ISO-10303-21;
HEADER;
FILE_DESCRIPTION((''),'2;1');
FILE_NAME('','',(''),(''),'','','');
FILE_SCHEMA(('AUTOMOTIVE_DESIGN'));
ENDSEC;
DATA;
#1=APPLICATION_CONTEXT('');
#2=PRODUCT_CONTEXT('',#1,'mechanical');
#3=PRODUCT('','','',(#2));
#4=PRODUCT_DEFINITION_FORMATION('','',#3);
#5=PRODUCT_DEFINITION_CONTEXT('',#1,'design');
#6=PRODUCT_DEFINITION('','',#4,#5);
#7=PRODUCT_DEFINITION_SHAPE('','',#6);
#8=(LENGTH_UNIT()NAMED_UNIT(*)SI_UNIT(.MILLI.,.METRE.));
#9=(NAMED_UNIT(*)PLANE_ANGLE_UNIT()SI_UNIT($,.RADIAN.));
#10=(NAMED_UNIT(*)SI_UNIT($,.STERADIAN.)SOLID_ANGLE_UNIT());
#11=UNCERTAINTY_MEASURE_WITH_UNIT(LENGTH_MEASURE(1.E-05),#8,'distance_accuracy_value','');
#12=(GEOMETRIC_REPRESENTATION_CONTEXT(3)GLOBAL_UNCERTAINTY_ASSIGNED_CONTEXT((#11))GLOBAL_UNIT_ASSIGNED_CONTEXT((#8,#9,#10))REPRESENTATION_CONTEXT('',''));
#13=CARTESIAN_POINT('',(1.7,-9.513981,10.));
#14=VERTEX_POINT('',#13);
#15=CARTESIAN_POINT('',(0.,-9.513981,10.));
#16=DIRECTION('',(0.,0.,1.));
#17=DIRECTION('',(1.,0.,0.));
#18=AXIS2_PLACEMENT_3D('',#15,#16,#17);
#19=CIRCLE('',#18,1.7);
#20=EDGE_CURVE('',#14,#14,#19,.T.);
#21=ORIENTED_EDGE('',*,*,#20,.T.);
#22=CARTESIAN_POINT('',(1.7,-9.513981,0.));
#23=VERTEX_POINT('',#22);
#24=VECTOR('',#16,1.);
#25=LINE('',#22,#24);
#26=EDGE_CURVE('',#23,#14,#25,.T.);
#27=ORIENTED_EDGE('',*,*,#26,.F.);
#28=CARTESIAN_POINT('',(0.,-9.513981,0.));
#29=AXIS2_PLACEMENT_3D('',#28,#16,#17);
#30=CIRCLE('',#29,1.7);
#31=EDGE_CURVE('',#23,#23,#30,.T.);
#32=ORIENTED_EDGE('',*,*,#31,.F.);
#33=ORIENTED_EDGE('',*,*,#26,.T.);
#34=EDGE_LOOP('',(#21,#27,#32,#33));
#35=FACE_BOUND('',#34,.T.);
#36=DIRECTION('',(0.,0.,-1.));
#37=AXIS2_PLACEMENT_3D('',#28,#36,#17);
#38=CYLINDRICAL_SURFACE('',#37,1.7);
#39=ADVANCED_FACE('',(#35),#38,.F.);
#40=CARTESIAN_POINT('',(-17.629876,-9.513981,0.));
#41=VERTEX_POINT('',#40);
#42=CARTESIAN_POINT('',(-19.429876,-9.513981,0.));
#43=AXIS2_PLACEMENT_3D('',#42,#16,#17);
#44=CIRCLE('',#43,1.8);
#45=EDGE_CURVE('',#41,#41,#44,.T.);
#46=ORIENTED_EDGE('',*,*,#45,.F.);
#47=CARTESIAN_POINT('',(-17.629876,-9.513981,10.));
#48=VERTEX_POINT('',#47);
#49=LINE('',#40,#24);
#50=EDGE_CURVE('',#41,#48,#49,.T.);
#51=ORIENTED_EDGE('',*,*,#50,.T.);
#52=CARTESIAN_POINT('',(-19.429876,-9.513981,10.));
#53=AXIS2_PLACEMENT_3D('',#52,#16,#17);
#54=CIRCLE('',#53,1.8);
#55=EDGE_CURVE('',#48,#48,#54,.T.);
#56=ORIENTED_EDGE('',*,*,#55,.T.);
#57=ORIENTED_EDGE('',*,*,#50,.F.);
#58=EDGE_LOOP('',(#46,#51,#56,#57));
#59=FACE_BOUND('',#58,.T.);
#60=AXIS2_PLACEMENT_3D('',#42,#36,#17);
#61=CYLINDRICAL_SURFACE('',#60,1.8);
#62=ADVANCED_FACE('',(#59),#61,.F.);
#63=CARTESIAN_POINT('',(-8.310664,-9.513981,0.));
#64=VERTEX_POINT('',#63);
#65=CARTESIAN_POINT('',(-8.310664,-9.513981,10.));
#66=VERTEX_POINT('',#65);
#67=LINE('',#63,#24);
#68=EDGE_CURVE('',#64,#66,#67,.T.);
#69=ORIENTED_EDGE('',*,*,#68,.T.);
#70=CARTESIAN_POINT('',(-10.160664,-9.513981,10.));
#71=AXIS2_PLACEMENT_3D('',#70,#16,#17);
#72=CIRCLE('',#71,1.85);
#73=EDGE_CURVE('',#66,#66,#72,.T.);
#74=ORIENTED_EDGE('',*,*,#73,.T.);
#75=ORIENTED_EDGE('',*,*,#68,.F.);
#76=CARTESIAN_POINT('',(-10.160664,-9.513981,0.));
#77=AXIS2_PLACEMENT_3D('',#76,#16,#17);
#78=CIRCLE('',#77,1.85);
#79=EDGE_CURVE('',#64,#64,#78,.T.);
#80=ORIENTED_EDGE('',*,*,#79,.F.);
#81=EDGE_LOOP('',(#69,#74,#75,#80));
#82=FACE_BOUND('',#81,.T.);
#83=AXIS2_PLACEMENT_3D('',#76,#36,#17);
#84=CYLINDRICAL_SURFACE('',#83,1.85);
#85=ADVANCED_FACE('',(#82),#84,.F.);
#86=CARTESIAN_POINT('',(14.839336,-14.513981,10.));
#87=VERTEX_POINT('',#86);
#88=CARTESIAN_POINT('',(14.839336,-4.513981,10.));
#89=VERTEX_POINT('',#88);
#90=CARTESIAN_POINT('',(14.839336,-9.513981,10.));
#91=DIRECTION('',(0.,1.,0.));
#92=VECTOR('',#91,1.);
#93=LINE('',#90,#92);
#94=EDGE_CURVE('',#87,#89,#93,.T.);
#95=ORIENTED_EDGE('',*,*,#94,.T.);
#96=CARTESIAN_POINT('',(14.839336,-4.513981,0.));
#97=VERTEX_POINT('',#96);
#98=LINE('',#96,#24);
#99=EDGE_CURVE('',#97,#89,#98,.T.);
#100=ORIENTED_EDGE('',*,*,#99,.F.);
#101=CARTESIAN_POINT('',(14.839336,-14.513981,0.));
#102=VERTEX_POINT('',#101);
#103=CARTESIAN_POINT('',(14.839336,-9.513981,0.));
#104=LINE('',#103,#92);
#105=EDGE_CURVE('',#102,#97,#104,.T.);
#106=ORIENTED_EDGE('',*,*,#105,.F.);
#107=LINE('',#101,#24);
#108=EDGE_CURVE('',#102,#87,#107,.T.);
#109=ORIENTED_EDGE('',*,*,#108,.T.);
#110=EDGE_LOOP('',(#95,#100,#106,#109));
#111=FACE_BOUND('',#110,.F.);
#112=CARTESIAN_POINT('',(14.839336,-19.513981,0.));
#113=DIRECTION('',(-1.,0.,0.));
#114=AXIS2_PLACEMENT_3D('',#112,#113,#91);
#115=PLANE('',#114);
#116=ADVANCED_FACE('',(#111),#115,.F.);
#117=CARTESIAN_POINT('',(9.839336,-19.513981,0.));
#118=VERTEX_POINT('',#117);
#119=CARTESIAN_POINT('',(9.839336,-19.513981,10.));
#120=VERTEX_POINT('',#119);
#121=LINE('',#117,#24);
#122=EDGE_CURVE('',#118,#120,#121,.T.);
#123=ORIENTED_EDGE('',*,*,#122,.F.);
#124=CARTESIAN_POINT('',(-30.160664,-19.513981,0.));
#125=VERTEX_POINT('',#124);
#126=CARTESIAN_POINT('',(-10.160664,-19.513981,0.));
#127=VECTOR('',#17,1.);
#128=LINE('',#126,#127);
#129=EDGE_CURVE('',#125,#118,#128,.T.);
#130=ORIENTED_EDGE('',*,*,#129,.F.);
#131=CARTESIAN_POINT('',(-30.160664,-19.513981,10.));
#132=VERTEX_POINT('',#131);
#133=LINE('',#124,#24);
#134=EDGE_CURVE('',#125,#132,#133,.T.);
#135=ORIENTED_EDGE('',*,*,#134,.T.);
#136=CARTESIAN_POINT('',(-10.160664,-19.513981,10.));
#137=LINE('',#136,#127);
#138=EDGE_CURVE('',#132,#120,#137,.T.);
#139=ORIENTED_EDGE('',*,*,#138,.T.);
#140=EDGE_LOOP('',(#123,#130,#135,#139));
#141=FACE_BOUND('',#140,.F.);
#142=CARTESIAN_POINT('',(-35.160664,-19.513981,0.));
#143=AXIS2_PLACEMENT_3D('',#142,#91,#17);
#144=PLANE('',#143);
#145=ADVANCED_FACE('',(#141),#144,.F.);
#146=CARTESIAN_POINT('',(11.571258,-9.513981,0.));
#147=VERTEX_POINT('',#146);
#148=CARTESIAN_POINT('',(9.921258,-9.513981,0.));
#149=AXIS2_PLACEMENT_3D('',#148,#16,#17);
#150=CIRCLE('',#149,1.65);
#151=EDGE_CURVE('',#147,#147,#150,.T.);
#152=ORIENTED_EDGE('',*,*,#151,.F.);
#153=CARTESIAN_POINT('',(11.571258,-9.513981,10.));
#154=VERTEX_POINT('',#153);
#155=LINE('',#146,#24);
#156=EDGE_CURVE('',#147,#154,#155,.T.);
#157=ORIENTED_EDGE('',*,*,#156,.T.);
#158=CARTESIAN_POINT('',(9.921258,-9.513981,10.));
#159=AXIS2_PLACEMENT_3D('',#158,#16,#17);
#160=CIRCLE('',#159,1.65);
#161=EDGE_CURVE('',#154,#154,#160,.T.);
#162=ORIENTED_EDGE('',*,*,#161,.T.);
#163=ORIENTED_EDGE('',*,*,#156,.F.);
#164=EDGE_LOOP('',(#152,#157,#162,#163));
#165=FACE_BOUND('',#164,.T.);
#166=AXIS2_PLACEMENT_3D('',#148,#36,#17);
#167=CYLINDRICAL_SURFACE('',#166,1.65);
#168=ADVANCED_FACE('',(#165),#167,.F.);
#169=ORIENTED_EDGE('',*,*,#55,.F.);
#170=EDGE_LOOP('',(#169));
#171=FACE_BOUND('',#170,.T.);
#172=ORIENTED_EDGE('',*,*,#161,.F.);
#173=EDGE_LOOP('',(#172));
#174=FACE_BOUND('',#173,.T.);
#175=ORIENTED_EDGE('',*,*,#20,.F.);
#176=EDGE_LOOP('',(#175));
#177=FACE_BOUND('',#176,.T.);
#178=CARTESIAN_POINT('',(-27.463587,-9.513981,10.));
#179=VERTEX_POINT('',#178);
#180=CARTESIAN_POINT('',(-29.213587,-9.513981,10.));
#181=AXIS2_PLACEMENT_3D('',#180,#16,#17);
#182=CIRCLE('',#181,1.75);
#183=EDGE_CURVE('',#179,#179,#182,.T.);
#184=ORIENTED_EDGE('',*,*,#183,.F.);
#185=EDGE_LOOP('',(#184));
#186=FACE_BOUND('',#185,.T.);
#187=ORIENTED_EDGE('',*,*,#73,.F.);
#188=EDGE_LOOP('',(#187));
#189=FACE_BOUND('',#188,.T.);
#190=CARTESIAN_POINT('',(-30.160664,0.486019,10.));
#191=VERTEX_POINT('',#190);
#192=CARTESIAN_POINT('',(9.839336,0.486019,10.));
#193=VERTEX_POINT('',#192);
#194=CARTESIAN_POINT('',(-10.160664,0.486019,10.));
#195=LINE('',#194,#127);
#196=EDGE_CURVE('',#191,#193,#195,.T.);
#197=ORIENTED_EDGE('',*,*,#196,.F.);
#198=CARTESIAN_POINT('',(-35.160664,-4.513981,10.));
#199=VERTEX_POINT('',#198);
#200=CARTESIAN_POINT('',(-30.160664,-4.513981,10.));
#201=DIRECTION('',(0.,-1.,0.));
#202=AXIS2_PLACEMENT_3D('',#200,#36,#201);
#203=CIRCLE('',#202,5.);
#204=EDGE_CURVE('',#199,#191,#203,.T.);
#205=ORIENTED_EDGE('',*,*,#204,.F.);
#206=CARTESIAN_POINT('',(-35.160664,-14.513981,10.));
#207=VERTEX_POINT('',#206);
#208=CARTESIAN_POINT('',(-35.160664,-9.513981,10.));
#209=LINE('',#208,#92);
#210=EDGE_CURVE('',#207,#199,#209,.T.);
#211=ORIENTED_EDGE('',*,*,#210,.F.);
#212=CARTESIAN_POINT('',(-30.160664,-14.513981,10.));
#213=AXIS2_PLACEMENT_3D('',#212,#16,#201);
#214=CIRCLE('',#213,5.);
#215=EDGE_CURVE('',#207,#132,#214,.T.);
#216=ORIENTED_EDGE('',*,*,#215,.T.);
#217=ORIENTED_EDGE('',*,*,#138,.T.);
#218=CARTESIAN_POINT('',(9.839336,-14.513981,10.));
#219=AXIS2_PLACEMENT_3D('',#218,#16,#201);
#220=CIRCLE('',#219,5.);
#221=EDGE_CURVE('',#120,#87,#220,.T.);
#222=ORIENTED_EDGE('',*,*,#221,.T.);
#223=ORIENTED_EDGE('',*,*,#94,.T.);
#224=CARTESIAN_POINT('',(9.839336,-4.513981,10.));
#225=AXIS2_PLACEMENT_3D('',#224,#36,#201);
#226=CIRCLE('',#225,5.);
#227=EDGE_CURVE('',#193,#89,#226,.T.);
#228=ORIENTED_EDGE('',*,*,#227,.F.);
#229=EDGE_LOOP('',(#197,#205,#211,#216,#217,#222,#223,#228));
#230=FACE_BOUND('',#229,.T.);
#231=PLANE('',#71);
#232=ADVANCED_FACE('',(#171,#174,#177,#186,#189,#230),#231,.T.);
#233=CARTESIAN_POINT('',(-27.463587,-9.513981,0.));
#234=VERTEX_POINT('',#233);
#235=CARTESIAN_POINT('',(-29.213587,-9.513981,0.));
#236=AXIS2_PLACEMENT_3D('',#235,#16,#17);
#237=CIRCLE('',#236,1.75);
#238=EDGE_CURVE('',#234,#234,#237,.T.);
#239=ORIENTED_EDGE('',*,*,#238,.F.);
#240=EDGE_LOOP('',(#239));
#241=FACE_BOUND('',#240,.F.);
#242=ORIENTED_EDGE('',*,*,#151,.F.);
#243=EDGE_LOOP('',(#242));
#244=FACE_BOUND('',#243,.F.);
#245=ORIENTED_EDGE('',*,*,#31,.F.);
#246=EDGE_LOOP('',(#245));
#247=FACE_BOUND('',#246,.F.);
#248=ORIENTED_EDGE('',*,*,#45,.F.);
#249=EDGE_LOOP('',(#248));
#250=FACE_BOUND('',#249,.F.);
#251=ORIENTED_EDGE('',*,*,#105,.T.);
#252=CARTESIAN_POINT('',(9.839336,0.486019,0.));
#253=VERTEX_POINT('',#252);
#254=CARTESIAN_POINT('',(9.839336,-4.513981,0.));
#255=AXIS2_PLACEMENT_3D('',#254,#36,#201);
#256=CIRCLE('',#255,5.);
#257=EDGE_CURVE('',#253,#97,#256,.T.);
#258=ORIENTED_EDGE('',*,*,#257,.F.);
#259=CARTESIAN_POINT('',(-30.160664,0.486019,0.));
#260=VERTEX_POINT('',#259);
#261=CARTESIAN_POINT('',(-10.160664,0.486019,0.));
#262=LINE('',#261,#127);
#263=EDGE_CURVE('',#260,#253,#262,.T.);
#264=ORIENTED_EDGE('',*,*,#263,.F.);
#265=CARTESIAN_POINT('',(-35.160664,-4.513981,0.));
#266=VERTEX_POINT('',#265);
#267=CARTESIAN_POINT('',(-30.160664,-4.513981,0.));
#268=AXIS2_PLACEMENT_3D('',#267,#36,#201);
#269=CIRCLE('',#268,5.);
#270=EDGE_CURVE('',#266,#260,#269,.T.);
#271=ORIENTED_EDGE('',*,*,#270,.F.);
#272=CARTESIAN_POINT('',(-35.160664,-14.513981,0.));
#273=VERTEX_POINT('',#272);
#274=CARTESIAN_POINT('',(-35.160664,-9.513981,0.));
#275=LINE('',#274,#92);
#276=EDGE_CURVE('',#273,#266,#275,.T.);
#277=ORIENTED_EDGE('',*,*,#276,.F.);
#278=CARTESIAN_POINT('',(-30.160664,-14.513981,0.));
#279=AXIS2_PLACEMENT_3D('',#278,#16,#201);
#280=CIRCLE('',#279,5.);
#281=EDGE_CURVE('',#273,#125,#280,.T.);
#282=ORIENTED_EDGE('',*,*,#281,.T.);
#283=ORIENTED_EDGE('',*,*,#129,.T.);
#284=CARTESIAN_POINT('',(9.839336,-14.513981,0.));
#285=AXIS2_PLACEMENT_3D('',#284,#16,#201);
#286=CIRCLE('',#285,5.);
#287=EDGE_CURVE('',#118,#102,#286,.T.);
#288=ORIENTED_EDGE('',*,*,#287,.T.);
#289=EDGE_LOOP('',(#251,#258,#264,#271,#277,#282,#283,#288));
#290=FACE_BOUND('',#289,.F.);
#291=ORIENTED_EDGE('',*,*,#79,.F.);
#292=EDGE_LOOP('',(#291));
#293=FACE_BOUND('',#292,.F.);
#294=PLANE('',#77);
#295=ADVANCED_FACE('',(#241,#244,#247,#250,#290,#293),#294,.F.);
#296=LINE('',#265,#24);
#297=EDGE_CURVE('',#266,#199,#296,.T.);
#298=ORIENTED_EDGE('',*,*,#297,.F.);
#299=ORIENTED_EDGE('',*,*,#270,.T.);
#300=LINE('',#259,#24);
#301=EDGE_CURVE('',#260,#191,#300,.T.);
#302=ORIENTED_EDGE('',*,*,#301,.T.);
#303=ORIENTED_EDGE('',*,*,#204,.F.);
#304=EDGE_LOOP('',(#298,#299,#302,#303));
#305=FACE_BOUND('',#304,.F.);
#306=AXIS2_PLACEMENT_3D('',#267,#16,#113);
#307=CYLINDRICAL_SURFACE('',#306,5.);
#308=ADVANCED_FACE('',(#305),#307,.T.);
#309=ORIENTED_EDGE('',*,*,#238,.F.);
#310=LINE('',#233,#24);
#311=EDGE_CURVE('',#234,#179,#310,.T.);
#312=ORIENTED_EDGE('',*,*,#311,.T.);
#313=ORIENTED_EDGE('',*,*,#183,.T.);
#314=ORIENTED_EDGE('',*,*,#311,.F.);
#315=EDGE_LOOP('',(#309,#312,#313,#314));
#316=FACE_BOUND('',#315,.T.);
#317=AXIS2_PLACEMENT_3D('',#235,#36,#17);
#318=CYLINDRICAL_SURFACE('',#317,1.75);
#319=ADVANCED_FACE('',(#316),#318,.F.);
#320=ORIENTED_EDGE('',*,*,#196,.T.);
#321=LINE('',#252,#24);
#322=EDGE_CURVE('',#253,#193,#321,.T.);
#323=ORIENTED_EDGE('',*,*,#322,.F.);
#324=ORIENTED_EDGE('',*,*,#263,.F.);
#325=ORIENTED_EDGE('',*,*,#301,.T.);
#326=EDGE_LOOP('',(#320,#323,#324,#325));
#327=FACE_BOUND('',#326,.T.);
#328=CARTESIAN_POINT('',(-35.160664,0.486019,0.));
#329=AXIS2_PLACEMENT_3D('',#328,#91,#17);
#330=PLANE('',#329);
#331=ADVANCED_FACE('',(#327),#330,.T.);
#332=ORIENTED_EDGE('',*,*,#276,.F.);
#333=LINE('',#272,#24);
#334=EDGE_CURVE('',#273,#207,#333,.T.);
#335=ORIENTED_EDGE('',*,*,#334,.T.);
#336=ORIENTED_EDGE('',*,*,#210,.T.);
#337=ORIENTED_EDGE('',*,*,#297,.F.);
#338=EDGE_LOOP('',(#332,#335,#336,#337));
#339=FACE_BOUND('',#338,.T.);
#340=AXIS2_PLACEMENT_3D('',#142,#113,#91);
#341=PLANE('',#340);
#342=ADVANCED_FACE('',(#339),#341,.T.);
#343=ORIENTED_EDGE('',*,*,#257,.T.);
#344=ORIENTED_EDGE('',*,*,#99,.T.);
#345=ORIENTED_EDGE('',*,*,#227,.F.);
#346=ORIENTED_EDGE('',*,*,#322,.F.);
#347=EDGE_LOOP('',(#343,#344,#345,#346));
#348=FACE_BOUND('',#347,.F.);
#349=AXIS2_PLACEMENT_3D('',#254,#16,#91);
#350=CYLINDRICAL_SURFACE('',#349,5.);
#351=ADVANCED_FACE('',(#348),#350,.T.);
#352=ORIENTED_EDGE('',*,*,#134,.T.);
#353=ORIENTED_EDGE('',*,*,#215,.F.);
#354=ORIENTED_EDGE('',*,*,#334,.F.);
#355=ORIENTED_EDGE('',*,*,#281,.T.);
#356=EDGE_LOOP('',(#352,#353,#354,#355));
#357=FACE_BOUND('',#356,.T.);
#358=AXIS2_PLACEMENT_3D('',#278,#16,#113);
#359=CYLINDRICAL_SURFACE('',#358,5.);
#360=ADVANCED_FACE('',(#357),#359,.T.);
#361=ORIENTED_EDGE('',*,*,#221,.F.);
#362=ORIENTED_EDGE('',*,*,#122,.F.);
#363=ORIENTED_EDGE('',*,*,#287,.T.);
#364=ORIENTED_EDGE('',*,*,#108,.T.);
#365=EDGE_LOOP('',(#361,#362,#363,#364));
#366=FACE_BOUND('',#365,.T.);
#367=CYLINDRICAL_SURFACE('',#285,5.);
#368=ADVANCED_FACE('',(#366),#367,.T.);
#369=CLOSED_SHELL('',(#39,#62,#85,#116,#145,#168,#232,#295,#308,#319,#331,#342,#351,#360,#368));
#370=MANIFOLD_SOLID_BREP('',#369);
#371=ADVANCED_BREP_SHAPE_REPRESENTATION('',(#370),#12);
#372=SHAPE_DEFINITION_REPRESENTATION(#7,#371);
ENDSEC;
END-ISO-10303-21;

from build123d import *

# Parameters (mm, degrees)
F0_W     = 50
F0_H     = 20
F0_R     = 1.75
F0_R_2   = 1.8
F0_R_3   = 1.85
F0_R_4   = 1.7
F0_R_5   = 1.65
F1_DEPTH = 10
F2_R     = 5


with BuildPart() as f1:
    # F0 (on Top) → F1 (new body)
    with BuildSketch(Plane.XY):
        with Locations((-10.160664, -9.513981)):
            Rectangle(F0_W, F0_H)
        with Locations((-29.213587, -9.513981)):
            Circle(F0_R, mode=Mode.SUBTRACT)
        with Locations((-19.429876, -9.513981)):
            Circle(F0_R_2, mode=Mode.SUBTRACT)
        with Locations((-10.160664, -9.513981)):
            Circle(F0_R_3, mode=Mode.SUBTRACT)
        with Locations((0, -9.513981)):
            Circle(F0_R_4, mode=Mode.SUBTRACT)
        with Locations((9.921258, -9.513981)):
            Circle(F0_R_5, mode=Mode.SUBTRACT)
    extrude(amount=F1_DEPTH)

    # F2
    f2_edges = [f1.edges().sort_by_distance(p)[0] for p in [
        (14.839336, 0.486019, 5),
        (14.839336, -19.513981, 5),
        (-35.160664, 0.486019, 5),
        (-35.160664, -19.513981, 5),
    ]]
    fillet(f2_edges, radius=F2_R)


solid = f1.part
